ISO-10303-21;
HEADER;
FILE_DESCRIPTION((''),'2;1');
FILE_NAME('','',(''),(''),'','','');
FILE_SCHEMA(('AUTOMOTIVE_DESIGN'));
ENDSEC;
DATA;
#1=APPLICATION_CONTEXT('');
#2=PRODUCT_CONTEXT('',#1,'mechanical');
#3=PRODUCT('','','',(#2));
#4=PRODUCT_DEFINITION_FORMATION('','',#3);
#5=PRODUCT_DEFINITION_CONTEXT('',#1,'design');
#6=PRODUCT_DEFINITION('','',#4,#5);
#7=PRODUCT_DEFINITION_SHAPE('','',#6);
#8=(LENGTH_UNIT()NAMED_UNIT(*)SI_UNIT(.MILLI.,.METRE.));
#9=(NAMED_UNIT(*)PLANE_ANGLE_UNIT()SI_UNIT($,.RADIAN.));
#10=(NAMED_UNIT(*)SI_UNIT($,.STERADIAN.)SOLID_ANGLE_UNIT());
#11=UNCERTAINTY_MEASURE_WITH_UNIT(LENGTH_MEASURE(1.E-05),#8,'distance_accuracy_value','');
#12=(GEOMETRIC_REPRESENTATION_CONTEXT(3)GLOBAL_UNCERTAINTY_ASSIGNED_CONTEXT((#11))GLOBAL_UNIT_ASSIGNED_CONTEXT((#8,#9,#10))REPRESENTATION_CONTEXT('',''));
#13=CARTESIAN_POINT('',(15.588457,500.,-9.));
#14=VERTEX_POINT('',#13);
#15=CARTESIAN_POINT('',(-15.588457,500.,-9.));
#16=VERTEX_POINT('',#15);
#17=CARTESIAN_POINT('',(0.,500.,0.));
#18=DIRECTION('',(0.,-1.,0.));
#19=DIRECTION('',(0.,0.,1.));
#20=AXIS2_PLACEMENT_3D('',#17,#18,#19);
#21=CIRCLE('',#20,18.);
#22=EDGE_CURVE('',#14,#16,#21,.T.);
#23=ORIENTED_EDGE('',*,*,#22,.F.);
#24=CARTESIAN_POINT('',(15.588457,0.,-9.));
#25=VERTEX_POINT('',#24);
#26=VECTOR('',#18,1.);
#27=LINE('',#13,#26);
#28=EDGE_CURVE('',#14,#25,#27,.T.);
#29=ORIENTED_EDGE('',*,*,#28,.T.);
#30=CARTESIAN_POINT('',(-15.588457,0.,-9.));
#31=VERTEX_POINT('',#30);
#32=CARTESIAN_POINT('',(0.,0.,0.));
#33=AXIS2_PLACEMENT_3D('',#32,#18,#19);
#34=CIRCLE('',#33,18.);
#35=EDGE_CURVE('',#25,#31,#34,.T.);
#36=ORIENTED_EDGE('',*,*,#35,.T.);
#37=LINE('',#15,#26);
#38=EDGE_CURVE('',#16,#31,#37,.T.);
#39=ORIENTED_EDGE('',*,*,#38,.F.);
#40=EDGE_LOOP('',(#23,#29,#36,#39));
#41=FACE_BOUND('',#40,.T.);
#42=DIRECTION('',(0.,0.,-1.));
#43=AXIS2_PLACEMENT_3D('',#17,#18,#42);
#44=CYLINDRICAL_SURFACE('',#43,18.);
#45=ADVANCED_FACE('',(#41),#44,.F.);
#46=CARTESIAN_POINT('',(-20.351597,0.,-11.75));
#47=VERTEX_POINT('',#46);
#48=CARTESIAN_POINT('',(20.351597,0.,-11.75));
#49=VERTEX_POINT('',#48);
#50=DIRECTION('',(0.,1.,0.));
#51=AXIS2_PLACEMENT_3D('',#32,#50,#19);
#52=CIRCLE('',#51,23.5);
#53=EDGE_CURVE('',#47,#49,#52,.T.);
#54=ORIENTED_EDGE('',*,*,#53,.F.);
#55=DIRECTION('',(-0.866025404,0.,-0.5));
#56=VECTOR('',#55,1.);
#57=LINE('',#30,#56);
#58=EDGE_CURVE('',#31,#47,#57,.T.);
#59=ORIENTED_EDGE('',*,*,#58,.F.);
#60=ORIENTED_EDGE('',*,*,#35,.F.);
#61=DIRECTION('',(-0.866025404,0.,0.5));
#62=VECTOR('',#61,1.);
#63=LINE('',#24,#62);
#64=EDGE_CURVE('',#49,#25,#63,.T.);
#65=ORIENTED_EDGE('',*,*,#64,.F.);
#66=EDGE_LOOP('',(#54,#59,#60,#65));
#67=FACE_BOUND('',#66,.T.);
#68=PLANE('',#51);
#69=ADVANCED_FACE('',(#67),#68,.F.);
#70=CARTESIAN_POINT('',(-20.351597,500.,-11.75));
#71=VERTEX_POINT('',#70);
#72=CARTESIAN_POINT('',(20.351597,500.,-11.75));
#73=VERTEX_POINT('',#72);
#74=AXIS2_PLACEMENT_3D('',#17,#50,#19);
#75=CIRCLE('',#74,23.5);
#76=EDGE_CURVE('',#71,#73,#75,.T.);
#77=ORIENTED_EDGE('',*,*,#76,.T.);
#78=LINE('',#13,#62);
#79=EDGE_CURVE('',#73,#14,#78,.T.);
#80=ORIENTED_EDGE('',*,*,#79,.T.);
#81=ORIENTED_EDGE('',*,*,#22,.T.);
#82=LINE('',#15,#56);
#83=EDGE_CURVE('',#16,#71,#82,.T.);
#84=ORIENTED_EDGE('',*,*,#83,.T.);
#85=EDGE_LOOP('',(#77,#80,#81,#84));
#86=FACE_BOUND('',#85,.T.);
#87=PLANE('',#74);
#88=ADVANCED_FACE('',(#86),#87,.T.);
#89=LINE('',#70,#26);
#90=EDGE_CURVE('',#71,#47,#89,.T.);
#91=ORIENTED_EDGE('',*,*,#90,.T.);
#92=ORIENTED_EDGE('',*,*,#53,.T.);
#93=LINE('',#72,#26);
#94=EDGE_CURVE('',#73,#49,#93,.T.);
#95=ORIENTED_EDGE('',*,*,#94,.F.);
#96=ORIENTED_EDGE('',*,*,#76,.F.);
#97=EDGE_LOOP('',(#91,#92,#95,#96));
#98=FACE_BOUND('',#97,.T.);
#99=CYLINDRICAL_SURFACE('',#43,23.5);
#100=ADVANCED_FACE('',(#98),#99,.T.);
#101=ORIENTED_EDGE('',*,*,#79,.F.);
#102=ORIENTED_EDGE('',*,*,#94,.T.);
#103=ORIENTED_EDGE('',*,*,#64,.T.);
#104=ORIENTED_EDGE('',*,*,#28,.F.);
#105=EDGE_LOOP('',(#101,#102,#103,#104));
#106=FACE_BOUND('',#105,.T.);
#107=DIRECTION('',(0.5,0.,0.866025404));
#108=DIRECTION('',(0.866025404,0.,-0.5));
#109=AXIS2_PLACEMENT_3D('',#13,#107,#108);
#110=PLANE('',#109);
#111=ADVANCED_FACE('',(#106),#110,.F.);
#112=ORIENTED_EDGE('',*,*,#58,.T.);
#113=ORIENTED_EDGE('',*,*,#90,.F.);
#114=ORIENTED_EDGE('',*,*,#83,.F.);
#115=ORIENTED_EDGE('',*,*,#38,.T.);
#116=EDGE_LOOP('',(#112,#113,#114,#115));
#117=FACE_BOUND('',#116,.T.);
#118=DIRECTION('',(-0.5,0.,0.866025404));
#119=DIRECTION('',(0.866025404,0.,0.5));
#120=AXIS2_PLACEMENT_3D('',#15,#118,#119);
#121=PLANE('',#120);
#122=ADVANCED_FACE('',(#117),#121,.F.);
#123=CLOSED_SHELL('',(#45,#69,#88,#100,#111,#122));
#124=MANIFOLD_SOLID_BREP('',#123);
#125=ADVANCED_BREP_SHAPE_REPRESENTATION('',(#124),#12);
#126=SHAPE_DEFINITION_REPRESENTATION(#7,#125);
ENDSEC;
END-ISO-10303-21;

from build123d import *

# Parameters (mm, degrees)
BOSS_EXTRUDE1_DEPTH = 500


with BuildPart() as part:
    # Sketch1 → Boss-Extrude1 (new body)
    with BuildSketch(Plane(origin=(0, 0, 0), x_dir=(1, 0, 0), z_dir=(0, 1, 0))):
        with BuildLine():
            Line((15.588457268, 9), (20.351596989, 11.75))
            ThreePointArc((20.351596989, 11.75), (0, -23.5), (-20.351596989, 11.75))
            Line((-20.351596989, 11.75), (-15.588457268, 9))
            ThreePointArc((-15.588457268, 9), (0, -18), (15.588457268, 9))
        make_face()
    extrude(amount=BOSS_EXTRUDE1_DEPTH)


solid = part.part
